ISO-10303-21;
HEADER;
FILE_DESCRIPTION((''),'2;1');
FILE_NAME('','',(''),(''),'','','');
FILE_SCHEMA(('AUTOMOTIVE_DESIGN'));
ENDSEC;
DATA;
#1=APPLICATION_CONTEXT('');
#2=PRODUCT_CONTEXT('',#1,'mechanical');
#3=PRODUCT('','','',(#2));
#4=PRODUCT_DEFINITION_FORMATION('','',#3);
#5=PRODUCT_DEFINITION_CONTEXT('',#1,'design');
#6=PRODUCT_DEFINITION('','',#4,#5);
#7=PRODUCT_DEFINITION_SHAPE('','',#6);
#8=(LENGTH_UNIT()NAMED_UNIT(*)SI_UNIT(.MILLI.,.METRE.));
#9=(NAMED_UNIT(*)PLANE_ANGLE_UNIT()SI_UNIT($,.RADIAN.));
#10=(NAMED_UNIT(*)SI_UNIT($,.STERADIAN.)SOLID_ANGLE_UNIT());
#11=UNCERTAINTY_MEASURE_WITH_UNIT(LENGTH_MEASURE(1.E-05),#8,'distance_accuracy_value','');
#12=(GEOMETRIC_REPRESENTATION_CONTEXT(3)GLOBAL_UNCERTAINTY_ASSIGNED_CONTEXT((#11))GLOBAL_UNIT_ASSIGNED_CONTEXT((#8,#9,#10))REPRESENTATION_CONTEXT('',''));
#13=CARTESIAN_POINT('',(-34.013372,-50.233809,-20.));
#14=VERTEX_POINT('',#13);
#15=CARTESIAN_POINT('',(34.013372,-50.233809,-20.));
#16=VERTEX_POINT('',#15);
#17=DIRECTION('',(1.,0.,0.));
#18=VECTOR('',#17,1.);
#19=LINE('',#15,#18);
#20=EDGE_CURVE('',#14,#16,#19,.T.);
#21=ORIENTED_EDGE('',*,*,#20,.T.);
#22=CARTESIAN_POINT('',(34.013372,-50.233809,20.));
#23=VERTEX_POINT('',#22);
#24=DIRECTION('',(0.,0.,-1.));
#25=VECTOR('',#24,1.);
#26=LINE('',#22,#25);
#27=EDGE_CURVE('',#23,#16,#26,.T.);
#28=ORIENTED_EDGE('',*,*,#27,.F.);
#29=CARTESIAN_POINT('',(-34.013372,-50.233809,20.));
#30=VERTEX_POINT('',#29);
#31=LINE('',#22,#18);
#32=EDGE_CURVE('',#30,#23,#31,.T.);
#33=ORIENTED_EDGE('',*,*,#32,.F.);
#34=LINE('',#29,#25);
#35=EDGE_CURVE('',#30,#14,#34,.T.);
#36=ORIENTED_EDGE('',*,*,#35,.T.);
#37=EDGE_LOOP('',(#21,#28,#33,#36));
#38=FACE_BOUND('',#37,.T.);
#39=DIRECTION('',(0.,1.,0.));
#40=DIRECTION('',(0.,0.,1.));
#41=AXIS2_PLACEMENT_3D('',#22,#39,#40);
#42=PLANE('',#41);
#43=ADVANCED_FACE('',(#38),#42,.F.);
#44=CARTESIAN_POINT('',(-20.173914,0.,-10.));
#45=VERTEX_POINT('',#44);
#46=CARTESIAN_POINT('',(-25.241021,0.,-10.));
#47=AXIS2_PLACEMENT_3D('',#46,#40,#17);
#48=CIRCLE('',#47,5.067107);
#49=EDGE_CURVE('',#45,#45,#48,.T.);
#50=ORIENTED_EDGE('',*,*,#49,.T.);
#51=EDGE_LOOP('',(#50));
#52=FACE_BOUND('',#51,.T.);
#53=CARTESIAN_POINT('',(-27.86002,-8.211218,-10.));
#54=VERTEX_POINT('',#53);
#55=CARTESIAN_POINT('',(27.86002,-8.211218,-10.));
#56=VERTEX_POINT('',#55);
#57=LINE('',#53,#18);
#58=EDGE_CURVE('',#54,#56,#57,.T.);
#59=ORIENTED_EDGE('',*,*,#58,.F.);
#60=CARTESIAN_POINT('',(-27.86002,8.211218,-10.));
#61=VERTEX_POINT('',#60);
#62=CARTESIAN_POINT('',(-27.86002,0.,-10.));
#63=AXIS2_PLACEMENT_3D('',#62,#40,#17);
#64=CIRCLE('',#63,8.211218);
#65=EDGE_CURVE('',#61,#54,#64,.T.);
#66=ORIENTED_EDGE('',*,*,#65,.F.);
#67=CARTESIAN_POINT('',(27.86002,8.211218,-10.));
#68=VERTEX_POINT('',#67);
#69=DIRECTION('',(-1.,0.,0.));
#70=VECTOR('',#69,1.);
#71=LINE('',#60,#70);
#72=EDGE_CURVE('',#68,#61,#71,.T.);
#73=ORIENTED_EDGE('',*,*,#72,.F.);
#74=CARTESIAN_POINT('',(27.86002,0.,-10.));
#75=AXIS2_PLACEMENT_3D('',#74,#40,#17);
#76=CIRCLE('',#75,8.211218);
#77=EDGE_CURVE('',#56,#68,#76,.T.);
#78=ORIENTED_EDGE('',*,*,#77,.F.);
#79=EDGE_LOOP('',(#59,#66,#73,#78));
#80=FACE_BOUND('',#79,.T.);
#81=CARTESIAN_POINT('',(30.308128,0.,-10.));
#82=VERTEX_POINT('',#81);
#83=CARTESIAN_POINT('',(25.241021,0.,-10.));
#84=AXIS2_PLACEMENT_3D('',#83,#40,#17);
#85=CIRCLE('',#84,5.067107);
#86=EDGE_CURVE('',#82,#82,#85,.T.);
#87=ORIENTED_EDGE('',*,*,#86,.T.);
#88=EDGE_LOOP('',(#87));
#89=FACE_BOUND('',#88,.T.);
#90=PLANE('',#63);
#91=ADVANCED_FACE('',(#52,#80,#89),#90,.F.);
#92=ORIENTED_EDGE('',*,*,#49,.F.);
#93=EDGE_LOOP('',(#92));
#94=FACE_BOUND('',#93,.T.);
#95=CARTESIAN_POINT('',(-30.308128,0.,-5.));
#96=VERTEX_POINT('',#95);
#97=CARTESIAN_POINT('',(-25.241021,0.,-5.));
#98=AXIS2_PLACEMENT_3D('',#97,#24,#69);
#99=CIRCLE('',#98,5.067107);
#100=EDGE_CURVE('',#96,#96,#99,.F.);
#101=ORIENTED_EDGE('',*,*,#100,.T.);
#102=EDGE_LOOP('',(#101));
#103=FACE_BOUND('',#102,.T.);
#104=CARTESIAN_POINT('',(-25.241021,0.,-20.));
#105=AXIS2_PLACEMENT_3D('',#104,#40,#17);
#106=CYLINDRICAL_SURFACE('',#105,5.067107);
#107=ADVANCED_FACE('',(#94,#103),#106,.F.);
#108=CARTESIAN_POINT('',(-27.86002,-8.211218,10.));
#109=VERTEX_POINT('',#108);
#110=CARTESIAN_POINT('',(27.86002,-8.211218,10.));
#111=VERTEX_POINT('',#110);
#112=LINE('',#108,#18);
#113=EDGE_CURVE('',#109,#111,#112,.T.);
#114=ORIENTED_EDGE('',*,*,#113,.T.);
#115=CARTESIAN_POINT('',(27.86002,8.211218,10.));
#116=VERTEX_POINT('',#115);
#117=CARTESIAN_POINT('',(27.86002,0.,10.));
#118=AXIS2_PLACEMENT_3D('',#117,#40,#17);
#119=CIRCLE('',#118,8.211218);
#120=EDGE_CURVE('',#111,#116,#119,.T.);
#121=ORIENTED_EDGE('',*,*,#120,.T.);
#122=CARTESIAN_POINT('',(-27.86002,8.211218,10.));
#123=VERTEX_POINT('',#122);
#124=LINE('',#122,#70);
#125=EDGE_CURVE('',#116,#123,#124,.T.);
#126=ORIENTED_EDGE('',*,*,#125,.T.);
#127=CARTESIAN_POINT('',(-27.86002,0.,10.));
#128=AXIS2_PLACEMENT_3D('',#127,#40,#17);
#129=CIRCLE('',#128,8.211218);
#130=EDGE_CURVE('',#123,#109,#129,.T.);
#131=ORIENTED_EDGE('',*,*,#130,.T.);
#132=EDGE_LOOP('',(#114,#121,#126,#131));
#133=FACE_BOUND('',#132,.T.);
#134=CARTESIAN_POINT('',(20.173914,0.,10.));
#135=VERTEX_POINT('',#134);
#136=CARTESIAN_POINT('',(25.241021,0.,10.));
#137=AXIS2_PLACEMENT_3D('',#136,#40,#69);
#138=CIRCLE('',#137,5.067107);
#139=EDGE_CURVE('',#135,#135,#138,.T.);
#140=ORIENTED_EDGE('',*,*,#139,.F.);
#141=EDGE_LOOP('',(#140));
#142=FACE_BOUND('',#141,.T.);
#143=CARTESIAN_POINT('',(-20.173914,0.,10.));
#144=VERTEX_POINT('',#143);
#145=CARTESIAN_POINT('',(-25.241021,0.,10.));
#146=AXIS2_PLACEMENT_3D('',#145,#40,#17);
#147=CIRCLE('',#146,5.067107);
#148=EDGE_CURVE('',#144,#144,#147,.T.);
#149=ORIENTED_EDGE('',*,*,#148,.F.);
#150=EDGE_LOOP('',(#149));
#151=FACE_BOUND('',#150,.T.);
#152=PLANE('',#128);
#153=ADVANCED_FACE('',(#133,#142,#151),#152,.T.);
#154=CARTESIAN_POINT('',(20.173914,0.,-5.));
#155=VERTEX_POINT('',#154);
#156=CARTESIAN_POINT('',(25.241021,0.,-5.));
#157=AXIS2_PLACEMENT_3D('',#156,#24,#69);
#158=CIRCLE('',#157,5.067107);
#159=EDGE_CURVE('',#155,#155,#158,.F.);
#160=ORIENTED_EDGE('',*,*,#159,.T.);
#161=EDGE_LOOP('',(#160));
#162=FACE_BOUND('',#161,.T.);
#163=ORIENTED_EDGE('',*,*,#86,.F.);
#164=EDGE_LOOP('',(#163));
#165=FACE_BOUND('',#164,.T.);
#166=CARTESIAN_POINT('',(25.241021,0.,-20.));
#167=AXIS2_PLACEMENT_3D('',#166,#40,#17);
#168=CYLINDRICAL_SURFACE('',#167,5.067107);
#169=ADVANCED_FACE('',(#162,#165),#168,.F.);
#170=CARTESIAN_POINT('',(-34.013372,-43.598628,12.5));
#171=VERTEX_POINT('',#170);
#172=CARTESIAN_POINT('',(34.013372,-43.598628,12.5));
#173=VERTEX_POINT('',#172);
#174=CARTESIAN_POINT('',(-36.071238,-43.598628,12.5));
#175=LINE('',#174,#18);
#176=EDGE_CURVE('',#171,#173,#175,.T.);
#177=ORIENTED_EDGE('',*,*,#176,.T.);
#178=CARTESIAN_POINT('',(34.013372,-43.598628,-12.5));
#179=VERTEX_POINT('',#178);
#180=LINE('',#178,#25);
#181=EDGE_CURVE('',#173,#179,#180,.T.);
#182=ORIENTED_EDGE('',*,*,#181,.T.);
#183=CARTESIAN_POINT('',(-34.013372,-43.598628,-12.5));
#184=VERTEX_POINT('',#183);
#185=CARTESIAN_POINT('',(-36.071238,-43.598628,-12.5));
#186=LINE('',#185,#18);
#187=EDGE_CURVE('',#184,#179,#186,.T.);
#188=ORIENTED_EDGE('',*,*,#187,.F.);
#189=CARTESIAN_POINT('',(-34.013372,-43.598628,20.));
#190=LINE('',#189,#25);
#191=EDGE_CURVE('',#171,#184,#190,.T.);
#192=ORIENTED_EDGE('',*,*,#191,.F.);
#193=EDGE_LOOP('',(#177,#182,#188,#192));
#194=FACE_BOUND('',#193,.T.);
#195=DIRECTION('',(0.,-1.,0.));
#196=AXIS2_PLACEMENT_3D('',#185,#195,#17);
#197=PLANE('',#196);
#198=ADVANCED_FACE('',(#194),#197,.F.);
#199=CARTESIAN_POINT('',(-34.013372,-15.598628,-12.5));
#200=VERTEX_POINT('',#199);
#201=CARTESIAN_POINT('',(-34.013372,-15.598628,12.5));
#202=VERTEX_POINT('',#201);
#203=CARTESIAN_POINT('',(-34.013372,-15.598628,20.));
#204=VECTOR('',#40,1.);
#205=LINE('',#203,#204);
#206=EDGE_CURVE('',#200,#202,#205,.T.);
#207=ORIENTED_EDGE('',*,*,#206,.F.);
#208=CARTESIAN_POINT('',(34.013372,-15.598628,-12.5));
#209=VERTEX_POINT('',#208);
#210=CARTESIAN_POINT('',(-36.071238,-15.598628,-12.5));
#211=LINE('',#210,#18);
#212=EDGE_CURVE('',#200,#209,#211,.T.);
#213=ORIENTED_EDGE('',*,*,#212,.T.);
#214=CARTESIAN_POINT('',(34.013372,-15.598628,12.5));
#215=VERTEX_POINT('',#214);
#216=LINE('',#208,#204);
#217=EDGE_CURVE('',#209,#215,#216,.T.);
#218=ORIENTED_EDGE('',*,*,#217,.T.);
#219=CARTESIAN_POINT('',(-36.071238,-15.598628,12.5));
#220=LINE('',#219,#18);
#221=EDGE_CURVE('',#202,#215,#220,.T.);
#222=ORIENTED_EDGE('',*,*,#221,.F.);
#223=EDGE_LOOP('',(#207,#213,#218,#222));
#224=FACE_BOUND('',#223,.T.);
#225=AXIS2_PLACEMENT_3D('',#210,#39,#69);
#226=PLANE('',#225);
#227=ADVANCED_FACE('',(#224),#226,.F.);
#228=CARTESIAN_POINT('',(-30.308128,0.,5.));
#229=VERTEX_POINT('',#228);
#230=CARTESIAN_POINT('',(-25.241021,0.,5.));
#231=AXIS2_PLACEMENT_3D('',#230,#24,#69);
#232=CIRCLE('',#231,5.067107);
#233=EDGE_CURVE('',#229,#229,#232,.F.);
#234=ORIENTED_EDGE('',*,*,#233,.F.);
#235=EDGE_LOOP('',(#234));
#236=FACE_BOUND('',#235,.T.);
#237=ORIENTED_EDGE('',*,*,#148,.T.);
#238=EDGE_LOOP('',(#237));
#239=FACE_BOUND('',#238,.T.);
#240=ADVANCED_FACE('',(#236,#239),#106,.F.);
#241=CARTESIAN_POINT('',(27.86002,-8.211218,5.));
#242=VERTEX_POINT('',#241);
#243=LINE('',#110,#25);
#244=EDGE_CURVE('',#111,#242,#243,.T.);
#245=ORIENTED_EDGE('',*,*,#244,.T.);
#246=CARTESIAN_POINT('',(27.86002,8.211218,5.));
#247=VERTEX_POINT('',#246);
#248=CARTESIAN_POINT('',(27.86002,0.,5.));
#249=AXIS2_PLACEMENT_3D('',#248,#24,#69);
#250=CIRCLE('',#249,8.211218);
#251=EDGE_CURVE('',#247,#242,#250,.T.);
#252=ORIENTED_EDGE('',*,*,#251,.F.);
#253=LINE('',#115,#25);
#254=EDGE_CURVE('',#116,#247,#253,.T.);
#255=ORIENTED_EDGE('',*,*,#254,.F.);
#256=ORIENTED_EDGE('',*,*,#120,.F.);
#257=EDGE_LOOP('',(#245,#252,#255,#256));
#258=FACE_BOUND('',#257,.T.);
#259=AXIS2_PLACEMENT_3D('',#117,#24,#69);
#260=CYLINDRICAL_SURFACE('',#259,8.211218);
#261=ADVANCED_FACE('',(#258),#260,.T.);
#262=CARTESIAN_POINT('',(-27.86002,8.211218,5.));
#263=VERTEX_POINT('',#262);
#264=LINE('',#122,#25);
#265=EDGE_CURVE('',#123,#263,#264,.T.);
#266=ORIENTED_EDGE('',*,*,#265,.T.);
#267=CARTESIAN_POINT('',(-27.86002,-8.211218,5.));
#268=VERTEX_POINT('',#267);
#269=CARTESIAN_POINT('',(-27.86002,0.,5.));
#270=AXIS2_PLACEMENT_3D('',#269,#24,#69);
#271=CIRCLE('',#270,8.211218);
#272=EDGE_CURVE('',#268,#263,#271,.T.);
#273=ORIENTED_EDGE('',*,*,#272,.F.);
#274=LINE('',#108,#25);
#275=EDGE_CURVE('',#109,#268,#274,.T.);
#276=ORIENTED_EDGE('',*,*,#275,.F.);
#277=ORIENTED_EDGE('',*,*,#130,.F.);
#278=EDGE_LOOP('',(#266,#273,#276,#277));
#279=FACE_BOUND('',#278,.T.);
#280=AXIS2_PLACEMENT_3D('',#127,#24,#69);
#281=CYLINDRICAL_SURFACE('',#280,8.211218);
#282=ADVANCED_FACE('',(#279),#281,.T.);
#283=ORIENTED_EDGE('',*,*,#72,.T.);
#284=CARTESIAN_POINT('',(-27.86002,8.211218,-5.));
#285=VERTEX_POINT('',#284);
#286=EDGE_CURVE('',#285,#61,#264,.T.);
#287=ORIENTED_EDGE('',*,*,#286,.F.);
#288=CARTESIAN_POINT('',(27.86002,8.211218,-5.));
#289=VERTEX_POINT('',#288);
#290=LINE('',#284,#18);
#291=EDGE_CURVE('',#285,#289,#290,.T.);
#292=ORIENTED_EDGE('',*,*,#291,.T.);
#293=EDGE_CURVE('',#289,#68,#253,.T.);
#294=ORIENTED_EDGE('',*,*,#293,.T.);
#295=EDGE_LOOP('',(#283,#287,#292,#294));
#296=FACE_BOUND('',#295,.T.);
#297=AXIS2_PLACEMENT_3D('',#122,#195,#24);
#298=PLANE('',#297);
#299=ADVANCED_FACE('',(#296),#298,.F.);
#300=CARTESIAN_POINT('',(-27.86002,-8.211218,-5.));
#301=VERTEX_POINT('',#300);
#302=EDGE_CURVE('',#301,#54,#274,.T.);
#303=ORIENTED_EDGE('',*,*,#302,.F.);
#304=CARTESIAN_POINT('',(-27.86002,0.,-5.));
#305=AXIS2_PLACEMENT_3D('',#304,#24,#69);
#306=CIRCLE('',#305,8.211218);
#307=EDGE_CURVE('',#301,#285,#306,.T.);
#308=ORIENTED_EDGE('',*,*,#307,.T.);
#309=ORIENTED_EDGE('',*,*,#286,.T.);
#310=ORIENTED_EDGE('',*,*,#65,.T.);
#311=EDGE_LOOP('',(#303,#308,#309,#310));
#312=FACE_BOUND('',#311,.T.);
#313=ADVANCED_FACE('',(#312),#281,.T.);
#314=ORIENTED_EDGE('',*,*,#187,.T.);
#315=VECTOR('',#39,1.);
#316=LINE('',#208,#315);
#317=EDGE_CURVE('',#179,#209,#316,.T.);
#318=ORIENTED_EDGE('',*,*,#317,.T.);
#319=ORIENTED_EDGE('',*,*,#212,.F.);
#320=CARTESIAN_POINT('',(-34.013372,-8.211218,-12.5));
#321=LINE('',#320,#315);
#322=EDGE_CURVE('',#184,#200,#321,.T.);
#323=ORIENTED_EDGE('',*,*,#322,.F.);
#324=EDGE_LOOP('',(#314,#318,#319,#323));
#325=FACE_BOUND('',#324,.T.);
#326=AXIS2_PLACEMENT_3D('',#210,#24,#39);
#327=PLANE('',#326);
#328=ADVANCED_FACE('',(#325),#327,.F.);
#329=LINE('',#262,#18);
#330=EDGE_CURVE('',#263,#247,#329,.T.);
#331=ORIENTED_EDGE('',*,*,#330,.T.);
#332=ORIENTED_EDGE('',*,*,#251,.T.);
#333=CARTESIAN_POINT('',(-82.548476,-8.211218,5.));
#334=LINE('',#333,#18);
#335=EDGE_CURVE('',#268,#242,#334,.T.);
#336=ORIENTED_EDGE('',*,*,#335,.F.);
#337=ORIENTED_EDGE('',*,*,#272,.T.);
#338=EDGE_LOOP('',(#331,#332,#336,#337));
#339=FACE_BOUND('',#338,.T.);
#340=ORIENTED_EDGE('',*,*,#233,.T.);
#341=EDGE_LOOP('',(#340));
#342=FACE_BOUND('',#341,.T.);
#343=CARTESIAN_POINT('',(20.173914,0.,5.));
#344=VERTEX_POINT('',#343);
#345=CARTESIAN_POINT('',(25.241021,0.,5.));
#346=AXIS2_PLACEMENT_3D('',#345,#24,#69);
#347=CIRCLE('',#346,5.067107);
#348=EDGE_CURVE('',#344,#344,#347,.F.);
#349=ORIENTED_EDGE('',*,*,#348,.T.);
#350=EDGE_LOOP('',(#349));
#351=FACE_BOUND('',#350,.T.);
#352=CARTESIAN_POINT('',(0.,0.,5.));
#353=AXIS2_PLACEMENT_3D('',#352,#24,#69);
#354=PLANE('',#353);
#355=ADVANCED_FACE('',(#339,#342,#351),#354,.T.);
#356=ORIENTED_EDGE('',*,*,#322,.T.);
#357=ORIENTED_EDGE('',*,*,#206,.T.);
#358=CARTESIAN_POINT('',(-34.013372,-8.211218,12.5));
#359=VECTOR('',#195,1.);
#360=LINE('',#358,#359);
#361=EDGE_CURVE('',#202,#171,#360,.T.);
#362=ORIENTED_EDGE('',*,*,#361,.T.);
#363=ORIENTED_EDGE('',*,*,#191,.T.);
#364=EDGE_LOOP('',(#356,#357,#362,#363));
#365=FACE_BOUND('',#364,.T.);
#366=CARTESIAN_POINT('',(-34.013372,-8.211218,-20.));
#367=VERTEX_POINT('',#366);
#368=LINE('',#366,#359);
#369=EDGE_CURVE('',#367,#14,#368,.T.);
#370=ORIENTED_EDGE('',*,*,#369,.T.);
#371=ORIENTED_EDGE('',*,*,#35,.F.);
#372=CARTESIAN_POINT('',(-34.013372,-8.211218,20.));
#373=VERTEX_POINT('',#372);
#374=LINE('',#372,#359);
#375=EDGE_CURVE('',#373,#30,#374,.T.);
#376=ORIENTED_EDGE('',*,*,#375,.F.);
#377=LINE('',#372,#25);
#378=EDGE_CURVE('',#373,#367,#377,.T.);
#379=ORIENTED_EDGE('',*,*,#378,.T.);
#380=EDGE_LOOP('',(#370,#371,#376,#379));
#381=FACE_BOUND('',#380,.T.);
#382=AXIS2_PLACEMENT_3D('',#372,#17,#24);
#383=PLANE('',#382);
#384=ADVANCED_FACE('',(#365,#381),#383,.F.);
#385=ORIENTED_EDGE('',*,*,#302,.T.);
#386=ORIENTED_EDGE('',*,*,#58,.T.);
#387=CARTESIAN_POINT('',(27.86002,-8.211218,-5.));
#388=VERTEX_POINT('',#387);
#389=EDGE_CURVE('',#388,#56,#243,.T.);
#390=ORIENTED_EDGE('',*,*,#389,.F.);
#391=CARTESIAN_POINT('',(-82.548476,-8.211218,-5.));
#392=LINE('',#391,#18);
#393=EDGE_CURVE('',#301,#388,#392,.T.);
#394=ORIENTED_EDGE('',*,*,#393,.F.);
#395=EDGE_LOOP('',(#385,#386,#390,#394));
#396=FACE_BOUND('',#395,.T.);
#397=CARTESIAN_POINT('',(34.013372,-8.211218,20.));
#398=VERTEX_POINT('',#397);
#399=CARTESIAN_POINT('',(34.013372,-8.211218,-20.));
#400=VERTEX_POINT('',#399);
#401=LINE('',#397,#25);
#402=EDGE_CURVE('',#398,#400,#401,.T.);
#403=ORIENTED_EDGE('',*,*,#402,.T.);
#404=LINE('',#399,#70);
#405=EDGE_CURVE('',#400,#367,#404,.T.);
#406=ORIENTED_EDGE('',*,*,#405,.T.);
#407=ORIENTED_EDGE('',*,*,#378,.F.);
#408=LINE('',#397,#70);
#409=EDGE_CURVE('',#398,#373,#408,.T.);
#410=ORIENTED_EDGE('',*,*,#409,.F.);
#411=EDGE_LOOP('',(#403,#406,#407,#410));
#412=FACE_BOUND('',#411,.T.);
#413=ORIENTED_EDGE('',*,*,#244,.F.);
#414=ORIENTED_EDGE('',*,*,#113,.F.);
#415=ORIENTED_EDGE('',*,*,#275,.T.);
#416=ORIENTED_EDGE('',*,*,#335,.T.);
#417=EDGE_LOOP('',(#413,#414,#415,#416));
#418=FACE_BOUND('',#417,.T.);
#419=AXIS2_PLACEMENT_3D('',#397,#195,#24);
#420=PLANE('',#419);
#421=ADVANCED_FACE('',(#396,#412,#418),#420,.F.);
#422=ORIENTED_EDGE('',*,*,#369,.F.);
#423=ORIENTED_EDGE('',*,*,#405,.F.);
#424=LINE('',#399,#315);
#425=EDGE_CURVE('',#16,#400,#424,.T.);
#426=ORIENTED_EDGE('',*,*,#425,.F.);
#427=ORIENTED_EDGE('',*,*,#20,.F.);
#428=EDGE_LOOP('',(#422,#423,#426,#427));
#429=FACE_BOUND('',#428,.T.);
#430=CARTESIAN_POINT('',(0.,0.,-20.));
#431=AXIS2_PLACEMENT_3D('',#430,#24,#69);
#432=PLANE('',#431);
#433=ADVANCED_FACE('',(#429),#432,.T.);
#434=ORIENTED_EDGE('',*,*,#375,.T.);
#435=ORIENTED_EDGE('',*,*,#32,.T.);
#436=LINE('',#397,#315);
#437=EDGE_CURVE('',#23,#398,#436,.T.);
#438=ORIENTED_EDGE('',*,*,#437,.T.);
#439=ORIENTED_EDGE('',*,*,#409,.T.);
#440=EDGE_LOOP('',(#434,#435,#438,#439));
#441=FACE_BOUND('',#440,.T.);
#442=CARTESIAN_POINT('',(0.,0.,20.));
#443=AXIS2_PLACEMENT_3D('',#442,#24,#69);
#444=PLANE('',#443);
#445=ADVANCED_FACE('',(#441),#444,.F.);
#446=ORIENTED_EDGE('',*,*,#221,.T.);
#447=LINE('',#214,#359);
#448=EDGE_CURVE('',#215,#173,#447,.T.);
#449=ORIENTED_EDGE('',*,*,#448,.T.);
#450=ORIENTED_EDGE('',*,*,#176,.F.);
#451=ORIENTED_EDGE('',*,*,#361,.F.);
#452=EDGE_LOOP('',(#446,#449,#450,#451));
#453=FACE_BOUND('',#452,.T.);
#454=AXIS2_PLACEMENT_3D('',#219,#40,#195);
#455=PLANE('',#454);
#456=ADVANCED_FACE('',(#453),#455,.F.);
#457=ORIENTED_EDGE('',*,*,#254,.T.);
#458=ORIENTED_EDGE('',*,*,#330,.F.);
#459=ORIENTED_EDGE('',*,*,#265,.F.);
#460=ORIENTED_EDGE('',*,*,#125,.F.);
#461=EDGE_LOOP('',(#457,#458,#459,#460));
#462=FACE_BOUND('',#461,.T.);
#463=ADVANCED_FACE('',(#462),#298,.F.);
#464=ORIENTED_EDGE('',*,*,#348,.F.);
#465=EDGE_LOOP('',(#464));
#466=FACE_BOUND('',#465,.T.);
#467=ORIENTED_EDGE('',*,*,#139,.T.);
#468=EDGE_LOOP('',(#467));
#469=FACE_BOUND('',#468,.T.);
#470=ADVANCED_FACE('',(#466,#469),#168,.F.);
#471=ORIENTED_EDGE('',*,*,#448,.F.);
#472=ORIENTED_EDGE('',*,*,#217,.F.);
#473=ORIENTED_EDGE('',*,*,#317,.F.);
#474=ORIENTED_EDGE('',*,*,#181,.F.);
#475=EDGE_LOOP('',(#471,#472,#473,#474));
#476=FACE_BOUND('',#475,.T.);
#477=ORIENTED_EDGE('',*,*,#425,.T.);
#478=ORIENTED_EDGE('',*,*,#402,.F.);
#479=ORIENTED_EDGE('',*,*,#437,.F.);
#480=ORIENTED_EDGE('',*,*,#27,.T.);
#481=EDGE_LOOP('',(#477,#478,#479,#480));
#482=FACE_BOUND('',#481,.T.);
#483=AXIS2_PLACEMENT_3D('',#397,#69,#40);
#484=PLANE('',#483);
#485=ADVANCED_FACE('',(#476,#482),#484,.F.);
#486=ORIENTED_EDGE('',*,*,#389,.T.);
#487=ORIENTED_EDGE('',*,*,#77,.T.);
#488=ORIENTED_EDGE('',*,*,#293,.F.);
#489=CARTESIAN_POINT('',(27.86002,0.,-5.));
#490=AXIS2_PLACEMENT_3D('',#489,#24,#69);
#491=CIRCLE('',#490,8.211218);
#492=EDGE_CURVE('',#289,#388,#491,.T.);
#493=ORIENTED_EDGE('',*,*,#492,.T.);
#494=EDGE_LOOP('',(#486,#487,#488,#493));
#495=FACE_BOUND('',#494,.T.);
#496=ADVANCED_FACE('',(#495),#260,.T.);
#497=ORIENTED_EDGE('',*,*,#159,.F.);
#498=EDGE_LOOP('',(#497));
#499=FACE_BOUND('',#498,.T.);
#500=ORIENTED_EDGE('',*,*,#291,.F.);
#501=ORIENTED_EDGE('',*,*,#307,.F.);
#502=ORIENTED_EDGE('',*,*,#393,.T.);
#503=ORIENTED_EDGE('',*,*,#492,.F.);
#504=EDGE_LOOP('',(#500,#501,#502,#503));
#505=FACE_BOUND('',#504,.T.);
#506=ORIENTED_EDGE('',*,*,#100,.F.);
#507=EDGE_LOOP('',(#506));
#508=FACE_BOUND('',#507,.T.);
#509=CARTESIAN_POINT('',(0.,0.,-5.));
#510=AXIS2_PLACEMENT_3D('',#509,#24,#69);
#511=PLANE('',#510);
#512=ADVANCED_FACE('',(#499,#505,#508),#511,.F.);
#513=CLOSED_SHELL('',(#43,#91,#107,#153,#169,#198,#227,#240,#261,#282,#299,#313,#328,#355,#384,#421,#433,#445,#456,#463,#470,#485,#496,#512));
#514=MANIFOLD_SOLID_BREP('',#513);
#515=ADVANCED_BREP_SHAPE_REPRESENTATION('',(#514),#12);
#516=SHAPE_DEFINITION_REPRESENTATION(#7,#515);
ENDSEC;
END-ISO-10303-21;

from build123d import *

# Parameters (mm, degrees)
BOSS_EXTRUDE1_DEPTH = 10
SKETCH3_W           = 68.02674373
SKETCH3_H           = 42.022590527
BOSS_EXTRUDE2_DEPTH = 20
SKETCH4_W           = 25
SKETCH4_H           = 28
CUT_EXTRUDE1_DEPTH  = 71.084609616
SKETCH5_R           = 5.067107297
CUT_EXTRUDE2_DEPTH  = 31
SKETCH6_W           = 166.597833244
SKETCH6_H           = 42.962518472
CUT_EXTRUDE3_DEPTH  = 5


with BuildPart() as part:
    # Sketch1 → Boss-Extrude1 (new body, symmetric)
    with BuildSketch(Plane.XY):
        with BuildLine():
            Line((-27.860019642, 8.21121811), (27.860019642, 8.21121811))
            ThreePointArc((27.860019642, 8.21121811), (36.071237751, 0), (27.860019642, -8.21121811))
            Line((27.860019642, -8.21121811), (-27.860019642, -8.21121811))
            ThreePointArc((-27.860019642, -8.21121811), (-36.071237751, 0), (-27.860019642, 8.21121811))
        make_face()
    extrude(amount=BOSS_EXTRUDE1_DEPTH, both=True)

    # Sketch3 → Boss-Extrude2 (add, symmetric)
    with BuildSketch(Plane.XY):
        with Locations((0, -29.222513374)):
            Rectangle(SKETCH3_W, SKETCH3_H)
    extrude(amount=BOSS_EXTRUDE2_DEPTH, both=True)

    # Sketch4 → Cut-Extrude1 (cut, through all)
    with BuildSketch(Plane(origin=(34.013371865, 0, 0), x_dir=(0, 0, -1), z_dir=(1, 0, 0))):
        with Locations((0, -29.598628357)):
            Rectangle(SKETCH4_W, SKETCH4_H)
    extrude(amount=-CUT_EXTRUDE1_DEPTH, mode=Mode.SUBTRACT)

    # Sketch5 → Cut-Extrude2 (cut, through all)
    with BuildSketch(Plane.XY.offset(10)):
        with Locations((-25.241020996, 0)):
            Circle(SKETCH5_R)
        with Locations((25.241020996, 0)):
            Circle(SKETCH5_R)
    extrude(amount=-CUT_EXTRUDE2_DEPTH, mode=Mode.SUBTRACT)

    # Sketch6 → Cut-Extrude3 (cut, symmetric)
    with BuildSketch(Plane.XY):
        with Locations((0.75044069, 13.270041126)):
            Rectangle(SKETCH6_W, SKETCH6_H)
    extrude(amount=CUT_EXTRUDE3_DEPTH, both=True, mode=Mode.SUBTRACT)


solid = part.part
